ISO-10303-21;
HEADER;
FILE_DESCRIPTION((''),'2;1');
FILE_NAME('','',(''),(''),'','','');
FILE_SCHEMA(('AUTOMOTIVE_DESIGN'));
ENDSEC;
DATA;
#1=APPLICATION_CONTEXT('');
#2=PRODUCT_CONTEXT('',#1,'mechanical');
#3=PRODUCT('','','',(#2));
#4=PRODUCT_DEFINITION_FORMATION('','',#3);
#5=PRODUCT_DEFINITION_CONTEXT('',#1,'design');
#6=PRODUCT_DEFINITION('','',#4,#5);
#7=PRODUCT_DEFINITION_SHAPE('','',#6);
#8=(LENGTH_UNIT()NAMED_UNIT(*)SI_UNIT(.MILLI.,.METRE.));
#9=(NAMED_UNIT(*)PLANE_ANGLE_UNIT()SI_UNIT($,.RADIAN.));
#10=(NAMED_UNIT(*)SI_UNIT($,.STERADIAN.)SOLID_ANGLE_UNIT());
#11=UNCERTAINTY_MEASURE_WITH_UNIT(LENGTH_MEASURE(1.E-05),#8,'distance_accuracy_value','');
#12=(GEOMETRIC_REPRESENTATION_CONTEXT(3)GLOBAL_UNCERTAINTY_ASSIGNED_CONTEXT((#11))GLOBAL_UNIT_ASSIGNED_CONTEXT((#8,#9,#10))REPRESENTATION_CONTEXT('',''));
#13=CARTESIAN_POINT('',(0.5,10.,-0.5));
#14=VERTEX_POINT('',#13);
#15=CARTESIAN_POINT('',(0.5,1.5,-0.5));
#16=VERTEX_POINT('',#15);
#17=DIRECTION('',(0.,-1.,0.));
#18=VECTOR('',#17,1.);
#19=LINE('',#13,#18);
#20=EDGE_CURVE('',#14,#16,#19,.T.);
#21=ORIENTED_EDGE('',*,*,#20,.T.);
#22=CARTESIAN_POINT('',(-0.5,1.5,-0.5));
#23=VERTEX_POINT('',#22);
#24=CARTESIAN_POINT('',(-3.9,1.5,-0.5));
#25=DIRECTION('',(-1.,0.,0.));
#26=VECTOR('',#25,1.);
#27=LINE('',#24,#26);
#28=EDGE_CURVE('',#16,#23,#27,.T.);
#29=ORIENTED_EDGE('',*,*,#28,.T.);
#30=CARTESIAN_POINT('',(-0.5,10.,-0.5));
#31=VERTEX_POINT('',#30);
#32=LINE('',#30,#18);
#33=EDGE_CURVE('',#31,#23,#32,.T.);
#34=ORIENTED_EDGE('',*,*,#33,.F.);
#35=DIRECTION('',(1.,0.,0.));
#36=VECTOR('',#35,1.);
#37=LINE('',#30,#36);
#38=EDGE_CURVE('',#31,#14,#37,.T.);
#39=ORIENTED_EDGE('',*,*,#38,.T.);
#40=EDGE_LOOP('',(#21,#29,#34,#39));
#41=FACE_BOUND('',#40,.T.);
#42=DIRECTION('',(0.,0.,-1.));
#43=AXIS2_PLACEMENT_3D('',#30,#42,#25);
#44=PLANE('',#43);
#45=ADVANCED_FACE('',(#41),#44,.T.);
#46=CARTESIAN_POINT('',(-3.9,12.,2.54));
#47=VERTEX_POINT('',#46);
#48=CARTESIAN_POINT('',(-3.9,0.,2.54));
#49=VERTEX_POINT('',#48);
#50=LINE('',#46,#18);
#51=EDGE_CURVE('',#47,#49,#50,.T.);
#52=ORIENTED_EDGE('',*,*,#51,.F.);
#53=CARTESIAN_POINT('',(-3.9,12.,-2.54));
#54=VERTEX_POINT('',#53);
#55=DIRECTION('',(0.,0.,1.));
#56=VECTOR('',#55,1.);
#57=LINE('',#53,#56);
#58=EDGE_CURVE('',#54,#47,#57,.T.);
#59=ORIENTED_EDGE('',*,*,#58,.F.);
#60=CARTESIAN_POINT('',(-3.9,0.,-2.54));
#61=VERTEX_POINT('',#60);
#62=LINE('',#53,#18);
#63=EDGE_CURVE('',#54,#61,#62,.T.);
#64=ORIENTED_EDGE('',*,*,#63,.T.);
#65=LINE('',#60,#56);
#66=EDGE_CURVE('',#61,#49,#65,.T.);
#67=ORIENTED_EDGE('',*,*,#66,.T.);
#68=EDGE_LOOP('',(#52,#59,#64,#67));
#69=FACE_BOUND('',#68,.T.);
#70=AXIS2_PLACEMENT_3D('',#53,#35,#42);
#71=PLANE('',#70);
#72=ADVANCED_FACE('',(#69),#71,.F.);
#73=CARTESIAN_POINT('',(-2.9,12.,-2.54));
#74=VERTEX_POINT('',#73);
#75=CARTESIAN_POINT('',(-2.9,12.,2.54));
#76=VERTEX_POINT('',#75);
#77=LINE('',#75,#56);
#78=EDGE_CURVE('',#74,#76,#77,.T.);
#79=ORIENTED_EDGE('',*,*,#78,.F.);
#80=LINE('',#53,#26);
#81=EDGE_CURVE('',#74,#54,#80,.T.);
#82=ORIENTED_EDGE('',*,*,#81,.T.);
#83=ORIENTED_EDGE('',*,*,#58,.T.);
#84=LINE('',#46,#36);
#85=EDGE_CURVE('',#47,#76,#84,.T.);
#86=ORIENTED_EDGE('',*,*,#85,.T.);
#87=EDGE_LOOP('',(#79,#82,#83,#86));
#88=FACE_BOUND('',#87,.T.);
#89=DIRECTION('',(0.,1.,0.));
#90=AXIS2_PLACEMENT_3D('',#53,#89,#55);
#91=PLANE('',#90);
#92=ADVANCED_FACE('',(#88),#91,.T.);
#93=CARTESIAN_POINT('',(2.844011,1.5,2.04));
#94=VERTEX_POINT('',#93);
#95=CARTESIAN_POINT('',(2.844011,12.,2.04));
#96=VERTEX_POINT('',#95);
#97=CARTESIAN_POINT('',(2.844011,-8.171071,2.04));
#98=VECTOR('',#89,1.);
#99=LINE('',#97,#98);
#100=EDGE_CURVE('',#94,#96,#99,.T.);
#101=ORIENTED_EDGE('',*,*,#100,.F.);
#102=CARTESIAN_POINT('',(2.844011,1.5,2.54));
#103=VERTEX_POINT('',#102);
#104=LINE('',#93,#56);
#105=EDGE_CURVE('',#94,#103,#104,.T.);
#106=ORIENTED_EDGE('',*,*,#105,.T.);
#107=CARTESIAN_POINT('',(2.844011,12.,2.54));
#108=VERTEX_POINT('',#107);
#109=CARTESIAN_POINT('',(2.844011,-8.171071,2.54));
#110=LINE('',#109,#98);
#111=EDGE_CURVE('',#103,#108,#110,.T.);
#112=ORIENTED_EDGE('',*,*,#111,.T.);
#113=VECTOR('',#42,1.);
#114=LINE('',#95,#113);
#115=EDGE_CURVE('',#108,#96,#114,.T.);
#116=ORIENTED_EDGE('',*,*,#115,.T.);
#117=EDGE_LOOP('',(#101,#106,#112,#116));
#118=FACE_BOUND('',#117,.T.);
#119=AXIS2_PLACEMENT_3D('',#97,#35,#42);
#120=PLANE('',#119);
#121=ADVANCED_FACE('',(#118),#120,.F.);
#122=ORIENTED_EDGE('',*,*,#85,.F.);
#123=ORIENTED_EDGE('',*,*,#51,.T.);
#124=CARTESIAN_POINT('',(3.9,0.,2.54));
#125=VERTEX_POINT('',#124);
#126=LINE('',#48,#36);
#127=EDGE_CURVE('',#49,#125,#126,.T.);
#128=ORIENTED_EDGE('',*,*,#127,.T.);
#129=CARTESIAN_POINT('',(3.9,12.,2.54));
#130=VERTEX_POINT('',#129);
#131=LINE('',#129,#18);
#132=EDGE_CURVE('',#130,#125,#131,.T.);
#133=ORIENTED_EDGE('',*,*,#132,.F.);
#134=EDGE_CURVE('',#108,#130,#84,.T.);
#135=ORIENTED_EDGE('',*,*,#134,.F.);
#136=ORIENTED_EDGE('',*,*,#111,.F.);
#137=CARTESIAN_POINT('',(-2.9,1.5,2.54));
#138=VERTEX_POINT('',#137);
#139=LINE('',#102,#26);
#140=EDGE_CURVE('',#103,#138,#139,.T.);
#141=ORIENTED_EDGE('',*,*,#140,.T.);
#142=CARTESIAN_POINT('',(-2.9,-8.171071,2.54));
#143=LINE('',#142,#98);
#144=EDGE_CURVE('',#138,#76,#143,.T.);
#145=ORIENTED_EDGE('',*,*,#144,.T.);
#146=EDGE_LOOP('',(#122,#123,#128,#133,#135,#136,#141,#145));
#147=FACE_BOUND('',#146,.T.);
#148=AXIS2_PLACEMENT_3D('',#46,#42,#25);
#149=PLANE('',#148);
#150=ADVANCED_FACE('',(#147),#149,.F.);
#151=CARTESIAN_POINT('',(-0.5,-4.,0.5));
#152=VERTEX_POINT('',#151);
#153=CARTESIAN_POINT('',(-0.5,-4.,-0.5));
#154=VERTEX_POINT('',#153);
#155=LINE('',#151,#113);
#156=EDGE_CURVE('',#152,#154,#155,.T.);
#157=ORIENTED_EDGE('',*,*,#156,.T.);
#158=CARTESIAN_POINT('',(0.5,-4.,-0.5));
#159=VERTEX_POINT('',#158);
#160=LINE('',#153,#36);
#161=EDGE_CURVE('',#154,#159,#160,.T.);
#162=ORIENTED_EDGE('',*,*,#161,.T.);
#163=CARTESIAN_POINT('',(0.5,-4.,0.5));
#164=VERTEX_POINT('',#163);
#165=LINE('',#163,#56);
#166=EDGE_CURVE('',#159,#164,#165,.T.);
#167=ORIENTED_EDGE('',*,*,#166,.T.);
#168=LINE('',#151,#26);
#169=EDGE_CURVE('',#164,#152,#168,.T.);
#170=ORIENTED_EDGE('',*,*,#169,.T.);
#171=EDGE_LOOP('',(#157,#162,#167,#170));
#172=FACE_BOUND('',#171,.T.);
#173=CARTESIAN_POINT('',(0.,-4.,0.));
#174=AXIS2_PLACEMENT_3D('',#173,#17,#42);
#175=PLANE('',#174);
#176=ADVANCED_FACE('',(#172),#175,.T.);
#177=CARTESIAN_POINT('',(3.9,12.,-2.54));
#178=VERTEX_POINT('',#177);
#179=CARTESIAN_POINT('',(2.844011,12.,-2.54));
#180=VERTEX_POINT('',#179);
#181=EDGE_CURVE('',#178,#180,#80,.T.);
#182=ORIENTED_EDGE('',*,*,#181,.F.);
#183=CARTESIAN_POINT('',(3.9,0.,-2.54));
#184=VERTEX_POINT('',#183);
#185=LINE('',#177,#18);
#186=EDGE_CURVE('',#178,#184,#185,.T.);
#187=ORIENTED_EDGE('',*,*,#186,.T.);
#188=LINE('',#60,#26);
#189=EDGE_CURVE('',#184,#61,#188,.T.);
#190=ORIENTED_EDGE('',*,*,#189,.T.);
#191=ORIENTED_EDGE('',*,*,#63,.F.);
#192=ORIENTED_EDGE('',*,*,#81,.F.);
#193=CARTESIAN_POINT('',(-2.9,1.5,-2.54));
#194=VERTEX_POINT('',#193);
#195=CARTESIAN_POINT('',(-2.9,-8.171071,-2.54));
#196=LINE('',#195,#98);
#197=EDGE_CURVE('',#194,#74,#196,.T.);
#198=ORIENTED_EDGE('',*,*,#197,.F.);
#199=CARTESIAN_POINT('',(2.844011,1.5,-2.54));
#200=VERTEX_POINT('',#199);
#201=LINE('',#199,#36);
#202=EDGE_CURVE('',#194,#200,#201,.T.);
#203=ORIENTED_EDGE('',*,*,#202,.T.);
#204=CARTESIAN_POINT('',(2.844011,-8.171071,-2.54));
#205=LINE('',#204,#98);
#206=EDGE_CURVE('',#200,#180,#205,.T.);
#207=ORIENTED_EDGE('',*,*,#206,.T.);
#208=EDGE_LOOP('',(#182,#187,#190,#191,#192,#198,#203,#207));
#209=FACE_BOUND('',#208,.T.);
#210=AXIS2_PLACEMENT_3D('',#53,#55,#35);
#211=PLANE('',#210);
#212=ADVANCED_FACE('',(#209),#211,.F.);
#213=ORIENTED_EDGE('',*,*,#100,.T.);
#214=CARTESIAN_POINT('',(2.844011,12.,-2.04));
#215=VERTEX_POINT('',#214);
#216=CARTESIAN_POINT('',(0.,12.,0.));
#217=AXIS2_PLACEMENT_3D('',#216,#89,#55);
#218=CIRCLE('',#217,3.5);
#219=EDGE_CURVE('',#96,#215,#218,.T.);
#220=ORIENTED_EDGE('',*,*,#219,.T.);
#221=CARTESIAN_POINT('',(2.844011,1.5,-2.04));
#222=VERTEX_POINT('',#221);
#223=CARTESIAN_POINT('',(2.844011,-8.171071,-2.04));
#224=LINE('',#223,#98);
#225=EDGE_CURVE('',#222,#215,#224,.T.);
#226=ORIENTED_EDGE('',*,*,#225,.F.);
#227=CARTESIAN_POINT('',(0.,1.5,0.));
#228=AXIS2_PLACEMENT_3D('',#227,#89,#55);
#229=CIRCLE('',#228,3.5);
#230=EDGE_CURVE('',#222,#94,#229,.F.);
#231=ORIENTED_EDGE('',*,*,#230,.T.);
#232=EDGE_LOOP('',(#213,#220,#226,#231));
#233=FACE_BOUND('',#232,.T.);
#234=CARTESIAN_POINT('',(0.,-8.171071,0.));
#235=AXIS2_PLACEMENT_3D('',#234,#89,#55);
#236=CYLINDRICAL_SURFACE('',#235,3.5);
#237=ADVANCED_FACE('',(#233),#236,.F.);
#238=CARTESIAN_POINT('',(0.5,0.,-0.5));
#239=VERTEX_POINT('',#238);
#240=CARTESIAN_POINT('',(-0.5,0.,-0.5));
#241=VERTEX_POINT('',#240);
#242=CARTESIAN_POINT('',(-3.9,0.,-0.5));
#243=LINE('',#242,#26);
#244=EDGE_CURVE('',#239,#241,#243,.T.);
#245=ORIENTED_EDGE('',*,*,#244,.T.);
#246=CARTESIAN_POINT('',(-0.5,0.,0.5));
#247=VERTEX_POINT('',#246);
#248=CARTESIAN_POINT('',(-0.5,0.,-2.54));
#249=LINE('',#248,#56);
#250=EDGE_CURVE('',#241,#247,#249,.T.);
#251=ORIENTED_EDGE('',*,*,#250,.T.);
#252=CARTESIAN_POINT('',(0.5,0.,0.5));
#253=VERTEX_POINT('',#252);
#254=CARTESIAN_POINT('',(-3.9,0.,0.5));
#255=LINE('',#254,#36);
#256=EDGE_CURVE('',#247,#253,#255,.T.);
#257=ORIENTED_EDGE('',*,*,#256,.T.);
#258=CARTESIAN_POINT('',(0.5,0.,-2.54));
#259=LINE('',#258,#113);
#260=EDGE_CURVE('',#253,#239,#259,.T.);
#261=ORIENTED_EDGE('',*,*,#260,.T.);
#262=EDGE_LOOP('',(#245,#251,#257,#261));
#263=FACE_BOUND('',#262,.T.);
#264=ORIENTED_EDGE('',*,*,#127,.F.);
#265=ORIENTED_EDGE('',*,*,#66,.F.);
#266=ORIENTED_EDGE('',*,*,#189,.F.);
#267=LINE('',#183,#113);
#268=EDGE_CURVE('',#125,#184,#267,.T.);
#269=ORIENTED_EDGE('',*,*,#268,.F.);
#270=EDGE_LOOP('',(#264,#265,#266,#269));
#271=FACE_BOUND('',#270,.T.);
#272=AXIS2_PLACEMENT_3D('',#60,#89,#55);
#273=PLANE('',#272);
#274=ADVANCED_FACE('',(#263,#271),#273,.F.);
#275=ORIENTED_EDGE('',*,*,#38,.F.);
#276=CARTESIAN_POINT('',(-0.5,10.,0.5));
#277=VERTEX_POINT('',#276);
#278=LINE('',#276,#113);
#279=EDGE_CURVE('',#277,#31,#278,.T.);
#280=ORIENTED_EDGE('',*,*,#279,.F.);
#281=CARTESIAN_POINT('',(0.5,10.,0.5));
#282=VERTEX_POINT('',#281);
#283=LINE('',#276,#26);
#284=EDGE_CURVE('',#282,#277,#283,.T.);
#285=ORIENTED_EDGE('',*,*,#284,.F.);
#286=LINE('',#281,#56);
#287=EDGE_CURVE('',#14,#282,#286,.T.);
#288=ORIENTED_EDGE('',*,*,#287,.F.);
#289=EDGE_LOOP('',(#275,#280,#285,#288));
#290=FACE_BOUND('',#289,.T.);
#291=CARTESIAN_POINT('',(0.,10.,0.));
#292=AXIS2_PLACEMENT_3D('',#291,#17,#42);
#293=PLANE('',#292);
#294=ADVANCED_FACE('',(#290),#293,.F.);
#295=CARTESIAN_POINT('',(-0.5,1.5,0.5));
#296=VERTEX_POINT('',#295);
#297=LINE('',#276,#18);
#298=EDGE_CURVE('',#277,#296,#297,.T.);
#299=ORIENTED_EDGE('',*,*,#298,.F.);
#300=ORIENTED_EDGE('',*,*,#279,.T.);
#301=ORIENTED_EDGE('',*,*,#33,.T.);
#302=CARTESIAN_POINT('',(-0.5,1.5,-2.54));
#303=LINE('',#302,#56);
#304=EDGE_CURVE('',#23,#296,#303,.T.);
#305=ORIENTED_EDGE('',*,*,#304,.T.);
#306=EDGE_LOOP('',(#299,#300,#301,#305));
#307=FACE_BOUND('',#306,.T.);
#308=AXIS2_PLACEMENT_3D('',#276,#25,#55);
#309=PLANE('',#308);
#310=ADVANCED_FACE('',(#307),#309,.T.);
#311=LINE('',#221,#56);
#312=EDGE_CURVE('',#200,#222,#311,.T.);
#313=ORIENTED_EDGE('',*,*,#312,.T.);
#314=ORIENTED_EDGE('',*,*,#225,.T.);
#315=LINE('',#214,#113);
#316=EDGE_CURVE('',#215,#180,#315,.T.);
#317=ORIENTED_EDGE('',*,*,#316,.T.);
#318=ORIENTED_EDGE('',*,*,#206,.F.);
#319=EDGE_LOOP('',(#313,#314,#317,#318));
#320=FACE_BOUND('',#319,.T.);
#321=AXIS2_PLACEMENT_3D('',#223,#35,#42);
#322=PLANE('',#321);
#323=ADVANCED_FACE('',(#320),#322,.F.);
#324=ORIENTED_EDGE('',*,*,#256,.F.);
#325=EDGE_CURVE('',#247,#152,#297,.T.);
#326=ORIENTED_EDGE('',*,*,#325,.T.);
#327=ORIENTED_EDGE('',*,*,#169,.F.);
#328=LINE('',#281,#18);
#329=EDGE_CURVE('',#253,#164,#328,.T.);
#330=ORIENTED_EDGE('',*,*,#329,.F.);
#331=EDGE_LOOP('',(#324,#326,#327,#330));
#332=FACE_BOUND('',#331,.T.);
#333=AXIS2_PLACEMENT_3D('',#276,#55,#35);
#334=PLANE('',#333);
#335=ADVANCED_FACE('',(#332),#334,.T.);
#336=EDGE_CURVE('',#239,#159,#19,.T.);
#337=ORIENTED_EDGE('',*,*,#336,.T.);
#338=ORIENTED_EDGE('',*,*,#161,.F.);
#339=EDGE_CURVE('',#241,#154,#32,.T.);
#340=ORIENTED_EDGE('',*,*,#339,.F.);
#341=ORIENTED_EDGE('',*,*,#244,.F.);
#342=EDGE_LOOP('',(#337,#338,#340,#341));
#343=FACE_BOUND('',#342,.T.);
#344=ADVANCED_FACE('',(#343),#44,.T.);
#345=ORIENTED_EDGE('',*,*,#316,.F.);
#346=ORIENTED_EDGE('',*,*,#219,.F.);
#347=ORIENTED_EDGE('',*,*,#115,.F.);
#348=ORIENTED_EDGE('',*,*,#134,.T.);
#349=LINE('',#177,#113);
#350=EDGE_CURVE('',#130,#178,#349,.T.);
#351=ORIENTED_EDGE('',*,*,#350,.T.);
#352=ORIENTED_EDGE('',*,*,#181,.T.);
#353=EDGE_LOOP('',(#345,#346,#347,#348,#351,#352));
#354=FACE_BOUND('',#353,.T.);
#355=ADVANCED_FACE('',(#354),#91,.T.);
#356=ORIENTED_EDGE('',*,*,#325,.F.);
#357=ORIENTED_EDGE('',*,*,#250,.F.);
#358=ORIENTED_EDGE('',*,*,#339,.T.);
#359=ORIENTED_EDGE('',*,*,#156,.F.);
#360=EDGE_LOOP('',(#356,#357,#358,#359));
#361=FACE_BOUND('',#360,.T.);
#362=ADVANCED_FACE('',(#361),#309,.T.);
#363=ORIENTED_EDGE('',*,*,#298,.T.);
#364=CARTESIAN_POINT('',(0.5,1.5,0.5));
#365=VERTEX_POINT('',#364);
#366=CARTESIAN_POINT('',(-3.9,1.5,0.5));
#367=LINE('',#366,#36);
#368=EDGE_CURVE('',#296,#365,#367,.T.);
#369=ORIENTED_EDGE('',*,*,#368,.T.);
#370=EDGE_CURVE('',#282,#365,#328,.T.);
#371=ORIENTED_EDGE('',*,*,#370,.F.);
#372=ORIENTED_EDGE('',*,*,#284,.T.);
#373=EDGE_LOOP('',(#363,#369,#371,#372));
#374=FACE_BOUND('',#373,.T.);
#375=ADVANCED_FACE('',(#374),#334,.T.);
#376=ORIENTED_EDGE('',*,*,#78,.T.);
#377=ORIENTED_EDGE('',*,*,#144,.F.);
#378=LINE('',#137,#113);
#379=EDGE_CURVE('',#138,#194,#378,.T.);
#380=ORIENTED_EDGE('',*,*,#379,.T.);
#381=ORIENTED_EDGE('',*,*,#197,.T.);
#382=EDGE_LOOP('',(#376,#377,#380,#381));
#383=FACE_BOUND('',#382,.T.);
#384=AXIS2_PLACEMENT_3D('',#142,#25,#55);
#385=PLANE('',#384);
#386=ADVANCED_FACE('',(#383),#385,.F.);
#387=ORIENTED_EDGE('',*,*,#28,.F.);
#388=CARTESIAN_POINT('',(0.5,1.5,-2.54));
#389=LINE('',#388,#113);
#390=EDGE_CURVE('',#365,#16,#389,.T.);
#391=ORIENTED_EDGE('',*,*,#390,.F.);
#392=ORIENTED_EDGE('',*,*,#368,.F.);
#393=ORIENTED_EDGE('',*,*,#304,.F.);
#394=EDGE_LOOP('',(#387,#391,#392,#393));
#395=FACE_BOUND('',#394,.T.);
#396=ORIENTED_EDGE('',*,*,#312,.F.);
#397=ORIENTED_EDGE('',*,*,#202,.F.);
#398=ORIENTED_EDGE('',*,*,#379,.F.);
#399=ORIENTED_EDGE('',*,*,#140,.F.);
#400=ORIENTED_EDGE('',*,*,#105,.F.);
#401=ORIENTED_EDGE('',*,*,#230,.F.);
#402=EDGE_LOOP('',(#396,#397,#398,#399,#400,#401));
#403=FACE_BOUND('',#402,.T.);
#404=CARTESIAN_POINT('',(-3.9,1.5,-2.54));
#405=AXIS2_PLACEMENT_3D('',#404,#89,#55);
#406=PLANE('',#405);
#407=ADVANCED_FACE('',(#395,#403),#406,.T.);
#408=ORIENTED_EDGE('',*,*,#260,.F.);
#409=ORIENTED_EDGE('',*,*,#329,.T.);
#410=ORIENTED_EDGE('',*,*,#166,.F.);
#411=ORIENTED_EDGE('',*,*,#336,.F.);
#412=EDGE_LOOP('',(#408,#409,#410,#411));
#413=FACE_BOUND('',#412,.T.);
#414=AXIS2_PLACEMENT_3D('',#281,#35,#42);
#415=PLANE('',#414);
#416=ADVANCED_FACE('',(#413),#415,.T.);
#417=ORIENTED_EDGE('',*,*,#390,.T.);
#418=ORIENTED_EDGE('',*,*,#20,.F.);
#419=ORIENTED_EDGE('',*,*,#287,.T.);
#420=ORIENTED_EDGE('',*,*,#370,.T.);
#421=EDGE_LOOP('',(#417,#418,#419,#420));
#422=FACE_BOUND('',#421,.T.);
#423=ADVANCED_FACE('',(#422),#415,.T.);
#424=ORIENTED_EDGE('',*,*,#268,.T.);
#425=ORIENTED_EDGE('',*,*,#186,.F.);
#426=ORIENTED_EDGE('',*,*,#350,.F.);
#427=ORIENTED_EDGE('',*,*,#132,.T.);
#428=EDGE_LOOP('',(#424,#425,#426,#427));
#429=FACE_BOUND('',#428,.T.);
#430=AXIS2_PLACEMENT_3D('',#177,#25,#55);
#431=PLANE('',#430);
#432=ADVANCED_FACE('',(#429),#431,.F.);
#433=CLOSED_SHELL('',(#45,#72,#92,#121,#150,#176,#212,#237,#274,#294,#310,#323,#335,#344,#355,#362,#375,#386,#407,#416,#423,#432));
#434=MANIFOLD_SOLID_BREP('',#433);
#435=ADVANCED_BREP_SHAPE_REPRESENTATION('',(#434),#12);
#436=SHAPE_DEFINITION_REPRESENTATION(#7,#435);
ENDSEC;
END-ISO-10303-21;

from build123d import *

# Parameters (mm, degrees)
SKETCH_1_W             = 7.8
SKETCH_1_H             = 5.08
EXTRUDE_1_DEPTH        = 12
CUT_EXTRUDE_1_DEPTH    = 10.5
EXTRUDE_1_2_DEPTH      = 4
EXTRUDE_1_2_DEPTH_BACK = 10
SKETCH_4_W             = 1
SKETCH_4_H             = 1


with BuildPart() as part:
    # 草图1 → Extrude 1 (new body)
    with BuildSketch(Plane(origin=(0, 0, 0), x_dir=(1, 0, 0), z_dir=(0, 1, 0))):
        Rectangle(SKETCH_1_W, SKETCH_1_H)
    extrude(amount=EXTRUDE_1_DEPTH)

    # 草图2 → 切除-拉伸1 (cut)
    with BuildSketch(Plane(origin=(0, 12, 0), x_dir=(-1, 0, 0), z_dir=(0, 1, 0))):
        with BuildLine():
            Line((-2.844011252, 2.04), (-2.844011252, 2.54))
            Line((-2.844011252, 2.54), (2.9, 2.54))
            Line((2.9, 2.54), (2.9, -2.54))
            Line((2.9, -2.54), (-2.844011252, -2.54))
            Line((-2.844011252, -2.54), (-2.844011252, -2.04))
            ThreePointArc((-2.844011252, -2.04), (-3.5, 0), (-2.844011252, 2.04))
        make_face()
    extrude(amount=-CUT_EXTRUDE_1_DEPTH, mode=Mode.SUBTRACT)

    # 草图4 → Extrude 1 2 (add, two sides: drawn at the far end of the back side and taken through both)
    with BuildSketch(Plane.XZ.offset(-EXTRUDE_1_2_DEPTH_BACK)):
        Rectangle(SKETCH_4_W, SKETCH_4_H)
    extrude(amount=EXTRUDE_1_2_DEPTH + EXTRUDE_1_2_DEPTH_BACK)


solid = part.part
